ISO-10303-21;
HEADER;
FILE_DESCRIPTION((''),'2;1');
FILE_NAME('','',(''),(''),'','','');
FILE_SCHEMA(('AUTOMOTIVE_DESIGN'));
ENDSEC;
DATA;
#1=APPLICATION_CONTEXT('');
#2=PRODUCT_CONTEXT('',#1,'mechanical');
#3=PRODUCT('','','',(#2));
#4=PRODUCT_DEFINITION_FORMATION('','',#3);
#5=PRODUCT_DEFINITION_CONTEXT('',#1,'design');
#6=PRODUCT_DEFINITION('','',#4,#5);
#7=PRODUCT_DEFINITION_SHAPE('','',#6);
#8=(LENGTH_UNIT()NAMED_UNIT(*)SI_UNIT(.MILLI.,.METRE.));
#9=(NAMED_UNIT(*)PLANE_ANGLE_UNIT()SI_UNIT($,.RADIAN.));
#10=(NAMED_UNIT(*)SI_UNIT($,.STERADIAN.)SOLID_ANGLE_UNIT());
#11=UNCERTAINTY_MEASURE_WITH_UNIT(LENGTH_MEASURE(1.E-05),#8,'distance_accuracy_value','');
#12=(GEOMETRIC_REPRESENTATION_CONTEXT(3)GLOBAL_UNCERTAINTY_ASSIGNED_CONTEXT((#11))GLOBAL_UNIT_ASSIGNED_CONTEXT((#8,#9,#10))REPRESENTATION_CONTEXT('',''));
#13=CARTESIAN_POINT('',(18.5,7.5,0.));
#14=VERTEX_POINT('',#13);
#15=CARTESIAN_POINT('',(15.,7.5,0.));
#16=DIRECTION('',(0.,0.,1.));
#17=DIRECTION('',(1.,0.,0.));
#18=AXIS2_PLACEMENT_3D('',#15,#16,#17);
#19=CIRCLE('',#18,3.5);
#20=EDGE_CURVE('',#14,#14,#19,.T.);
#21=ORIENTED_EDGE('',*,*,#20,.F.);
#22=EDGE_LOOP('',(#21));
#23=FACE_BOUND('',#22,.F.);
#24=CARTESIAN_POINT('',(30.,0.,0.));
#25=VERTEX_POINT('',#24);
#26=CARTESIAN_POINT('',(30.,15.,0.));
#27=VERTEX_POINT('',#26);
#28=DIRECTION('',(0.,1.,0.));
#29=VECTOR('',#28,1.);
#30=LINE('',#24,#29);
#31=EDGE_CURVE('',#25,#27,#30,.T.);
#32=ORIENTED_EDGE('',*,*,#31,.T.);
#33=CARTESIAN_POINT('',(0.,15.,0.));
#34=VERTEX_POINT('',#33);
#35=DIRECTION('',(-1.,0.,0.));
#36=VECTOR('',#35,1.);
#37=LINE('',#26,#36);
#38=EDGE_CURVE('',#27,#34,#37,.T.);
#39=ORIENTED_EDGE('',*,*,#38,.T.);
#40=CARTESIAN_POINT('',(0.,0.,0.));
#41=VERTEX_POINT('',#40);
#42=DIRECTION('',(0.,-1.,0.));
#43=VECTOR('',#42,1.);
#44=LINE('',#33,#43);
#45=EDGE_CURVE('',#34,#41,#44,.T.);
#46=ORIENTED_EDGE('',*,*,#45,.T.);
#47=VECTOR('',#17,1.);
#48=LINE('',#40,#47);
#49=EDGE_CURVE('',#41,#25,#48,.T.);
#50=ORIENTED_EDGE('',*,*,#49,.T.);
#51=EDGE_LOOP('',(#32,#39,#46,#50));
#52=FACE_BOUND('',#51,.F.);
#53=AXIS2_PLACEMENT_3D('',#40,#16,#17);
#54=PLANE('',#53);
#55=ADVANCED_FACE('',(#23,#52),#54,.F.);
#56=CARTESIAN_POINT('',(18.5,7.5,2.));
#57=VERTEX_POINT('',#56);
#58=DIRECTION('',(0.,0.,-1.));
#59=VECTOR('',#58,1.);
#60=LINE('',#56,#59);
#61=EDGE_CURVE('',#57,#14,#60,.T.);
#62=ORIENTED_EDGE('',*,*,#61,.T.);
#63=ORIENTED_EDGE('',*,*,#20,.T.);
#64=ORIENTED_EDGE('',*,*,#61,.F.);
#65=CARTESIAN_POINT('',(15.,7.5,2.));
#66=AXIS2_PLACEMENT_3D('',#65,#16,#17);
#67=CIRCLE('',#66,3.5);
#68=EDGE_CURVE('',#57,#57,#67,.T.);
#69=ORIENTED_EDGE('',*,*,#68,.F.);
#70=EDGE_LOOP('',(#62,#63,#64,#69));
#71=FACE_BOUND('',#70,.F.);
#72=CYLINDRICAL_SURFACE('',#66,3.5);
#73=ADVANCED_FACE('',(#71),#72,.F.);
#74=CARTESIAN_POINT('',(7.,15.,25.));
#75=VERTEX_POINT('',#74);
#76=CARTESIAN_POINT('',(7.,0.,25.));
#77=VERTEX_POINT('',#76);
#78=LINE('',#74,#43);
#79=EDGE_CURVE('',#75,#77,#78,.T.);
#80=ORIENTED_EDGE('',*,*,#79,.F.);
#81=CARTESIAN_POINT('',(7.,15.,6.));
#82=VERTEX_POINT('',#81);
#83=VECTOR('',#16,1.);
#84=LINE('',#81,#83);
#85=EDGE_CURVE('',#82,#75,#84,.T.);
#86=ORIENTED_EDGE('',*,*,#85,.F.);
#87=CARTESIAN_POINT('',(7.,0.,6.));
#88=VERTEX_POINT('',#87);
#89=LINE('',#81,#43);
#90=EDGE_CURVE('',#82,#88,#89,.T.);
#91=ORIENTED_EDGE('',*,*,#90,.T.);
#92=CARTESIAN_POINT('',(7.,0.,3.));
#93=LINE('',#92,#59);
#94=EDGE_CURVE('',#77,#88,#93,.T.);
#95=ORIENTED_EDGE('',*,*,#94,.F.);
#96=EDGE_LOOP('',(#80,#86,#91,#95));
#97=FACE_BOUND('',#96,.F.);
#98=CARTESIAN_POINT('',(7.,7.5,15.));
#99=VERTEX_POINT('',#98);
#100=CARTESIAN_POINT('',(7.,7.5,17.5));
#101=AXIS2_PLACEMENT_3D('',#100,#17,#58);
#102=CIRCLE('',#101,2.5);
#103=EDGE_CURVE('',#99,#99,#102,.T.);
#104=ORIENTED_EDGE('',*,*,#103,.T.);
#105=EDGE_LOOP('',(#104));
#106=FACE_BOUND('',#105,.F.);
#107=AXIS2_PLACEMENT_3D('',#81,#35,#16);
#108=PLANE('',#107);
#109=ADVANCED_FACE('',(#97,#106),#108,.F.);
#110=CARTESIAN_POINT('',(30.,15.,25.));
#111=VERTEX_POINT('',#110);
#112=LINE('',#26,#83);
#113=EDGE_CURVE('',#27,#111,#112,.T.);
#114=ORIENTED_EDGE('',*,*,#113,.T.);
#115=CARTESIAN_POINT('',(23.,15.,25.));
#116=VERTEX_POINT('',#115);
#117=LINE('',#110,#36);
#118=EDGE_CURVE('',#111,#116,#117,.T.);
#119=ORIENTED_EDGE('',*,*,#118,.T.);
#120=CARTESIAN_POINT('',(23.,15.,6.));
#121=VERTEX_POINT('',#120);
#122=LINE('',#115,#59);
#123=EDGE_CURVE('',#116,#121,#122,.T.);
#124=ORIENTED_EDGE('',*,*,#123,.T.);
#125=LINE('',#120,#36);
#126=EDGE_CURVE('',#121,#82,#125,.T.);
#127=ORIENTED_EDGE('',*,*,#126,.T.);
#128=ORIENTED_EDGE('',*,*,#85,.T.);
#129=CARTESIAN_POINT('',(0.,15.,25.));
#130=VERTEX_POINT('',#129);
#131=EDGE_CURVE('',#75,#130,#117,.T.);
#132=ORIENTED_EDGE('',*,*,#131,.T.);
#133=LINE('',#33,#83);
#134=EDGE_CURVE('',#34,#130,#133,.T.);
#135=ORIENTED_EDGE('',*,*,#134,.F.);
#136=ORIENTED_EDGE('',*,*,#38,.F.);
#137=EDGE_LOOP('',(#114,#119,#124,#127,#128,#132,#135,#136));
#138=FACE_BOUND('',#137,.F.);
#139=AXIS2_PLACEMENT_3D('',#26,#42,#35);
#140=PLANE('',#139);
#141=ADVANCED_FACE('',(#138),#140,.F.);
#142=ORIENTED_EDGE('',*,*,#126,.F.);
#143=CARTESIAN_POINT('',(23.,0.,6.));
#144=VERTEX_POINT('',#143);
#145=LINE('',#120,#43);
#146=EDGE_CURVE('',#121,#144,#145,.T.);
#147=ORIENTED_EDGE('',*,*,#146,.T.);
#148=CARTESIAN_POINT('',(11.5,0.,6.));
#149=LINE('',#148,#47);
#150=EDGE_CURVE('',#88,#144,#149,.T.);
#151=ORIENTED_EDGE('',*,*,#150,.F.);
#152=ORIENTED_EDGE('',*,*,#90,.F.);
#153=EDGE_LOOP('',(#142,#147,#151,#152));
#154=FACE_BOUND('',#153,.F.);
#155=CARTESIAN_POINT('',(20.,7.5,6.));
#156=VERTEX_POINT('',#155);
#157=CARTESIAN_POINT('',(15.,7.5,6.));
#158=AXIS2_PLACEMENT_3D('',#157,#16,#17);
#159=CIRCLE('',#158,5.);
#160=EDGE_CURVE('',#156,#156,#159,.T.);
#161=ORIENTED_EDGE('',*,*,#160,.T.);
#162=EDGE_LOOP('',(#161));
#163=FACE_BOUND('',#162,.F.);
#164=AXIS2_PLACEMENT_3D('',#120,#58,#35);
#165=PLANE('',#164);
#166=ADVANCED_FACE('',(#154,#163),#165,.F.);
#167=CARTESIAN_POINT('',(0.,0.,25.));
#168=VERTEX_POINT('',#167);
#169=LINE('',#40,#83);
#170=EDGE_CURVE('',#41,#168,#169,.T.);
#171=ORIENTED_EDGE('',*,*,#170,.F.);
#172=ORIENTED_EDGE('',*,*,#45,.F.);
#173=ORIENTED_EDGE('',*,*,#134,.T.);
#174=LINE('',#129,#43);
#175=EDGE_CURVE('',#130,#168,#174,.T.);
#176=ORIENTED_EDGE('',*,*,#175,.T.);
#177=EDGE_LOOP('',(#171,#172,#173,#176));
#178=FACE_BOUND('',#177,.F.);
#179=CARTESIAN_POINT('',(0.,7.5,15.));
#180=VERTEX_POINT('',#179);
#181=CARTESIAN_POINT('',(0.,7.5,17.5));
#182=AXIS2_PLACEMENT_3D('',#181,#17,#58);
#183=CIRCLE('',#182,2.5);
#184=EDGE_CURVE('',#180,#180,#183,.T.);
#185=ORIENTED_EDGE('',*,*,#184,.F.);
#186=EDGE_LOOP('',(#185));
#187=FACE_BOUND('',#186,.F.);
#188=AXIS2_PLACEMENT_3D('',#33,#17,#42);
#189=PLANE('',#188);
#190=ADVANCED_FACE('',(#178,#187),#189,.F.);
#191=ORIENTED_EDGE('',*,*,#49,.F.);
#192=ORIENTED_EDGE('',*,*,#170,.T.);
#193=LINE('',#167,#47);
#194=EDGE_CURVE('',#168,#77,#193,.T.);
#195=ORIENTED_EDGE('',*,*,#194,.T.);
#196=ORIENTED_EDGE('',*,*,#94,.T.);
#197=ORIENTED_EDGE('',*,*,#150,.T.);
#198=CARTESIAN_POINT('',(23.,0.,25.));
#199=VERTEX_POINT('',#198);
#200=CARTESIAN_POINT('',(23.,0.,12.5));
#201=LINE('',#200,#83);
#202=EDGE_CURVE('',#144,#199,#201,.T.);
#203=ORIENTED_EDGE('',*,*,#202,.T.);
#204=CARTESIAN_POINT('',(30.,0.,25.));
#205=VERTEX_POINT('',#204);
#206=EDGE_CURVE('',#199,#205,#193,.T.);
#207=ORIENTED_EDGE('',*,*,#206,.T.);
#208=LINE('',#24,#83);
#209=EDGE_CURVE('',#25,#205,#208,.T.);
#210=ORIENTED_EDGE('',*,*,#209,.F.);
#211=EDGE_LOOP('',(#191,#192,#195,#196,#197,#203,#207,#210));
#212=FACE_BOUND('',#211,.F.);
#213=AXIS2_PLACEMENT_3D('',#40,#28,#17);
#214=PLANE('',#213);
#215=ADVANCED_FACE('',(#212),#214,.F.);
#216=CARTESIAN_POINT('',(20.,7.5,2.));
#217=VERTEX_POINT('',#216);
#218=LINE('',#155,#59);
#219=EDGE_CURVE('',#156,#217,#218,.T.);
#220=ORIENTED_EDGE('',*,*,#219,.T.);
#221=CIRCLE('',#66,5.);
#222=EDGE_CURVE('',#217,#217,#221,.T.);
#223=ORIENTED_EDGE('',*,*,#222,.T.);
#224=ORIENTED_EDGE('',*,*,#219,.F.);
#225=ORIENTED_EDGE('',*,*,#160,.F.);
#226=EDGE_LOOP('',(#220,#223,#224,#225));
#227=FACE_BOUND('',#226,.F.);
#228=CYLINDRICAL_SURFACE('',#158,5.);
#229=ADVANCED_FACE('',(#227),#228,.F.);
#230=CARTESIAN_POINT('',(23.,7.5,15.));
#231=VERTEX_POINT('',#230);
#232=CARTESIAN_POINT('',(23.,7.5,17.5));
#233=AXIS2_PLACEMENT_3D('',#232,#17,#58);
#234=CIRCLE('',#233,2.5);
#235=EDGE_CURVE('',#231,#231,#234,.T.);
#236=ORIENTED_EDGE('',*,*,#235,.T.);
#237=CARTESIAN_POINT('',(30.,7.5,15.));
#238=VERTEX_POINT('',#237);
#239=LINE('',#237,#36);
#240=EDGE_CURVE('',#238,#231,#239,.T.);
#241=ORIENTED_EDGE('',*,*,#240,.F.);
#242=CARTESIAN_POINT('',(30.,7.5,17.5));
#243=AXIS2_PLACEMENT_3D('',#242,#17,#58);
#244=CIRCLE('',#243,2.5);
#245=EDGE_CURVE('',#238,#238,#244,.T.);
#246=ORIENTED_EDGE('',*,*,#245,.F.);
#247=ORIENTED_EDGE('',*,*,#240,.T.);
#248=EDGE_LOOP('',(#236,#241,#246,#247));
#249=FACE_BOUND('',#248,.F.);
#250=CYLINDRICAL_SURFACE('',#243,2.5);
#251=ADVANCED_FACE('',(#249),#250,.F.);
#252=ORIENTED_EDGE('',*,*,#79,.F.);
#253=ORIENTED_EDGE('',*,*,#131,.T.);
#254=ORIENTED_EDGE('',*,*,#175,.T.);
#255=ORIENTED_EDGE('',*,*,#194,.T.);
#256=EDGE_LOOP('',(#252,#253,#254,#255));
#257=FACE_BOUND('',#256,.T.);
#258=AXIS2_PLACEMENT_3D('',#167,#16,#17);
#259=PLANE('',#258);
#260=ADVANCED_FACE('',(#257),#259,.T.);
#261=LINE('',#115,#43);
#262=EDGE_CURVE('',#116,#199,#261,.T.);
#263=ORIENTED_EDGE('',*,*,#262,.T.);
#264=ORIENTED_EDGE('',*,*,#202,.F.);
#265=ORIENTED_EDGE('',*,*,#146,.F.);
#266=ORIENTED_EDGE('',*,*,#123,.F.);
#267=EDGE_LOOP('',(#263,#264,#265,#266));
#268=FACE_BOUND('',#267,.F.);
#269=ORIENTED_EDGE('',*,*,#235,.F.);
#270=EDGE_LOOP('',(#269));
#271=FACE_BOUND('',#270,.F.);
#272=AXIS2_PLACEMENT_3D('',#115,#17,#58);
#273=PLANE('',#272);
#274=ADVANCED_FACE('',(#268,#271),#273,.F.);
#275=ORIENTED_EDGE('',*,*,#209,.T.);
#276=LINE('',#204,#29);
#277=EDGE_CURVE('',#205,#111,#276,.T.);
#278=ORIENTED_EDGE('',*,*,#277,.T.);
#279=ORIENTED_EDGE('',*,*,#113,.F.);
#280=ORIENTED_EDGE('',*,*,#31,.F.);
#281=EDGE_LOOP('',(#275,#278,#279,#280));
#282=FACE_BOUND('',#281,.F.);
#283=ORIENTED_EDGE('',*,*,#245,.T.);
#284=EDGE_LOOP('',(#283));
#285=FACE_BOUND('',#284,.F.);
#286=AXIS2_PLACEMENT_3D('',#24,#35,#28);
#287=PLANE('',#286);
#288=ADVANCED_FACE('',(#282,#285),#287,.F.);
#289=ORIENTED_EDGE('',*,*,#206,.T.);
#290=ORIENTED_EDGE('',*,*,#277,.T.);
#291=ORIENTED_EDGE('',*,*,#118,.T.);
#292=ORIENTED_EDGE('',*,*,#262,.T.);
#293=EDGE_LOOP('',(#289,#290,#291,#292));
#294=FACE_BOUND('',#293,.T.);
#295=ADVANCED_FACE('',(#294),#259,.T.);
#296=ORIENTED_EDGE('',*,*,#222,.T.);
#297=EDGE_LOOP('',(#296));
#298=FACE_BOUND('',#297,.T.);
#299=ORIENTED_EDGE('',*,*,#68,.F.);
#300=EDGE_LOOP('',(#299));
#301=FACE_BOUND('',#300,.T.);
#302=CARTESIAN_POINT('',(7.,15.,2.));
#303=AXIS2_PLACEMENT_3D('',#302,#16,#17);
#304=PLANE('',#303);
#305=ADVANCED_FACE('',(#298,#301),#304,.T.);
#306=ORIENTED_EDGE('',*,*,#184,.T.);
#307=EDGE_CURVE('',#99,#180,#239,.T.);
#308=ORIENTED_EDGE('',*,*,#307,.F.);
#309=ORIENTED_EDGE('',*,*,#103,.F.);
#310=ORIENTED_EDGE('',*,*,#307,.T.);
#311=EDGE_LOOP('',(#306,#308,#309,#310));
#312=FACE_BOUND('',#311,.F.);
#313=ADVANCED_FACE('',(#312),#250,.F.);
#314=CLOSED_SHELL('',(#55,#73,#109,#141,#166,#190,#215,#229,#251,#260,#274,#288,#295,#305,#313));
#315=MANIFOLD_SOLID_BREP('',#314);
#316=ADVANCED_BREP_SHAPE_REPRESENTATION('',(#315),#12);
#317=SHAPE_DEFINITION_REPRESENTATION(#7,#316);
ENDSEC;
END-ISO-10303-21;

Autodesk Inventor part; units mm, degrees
ref_plane "YZ Plane" through (0, 0, 0) normal (1, 0, 0) x (0, 1, 0)
ref_plane "XZ Plane" through (0, 0, 0) normal (0, 1, 0) x (-1, 0, 0)
ref_plane "XY Plane" through (0, 0, 0) normal (0, 0, 1) x (1, 0, 0)
sketch "Sketch1" plane through (0, 0, 0) normal (0, 0, 1) x (1, 0, 0)
  line L0 (0, 0) -> (30, 0)
  line L1 (30, 0) -> (30, 15)
  line L2 (30, 15) -> (0, 15)
  line L3 (0, 15) -> (0, 0)
  dimension "d0" = 30
  dimension "d1" = 15
extrude "Extrusion1" add sketch "Sketch1" along normal blind 25
sketch "Sketch2" plane through (0, 15, 0) normal (0, 1, 0) x (1, 0, 0)
  line L0 (30, 0) -> (0, 0) projected
  line L1 (0, 0) -> (0, -25) projected
  line L2 (30, -25) -> (0, -25) projected
  line L3 (30, 0) -> (30, -25) projected
  line L4 (7, -25) -> (23, -25)
  line L5 (23, -25) -> (23, -6)
  line L6 (23, -6) -> (7, -6)
  line L7 (7, -6) -> (7, -25)
  point P0 (0, 0)
  dimension "d5" = 16
  dimension "d27" = 7
  dimension "d28" = 6
extrude "Extrusion2" cut sketch "Sketch2" against normal up to next contours L2 L7 L6 L5
sketch "Sketch3" plane through (30, 0, 0) normal (1, 0, 0) x (0, 0, -1)
  circle A0 centre (-17.5, 7.5) radius 2.5
  line L0 (-25, 0) -> (-25, 15) projected
  line L1 (0, 15) -> (-25, 15) projected
  point P0 (0, 0)
  dimension "d10" = 5
  dimension "d11" = 7.5
  dimension "d12" = 7.5
extrude "Extrusion3" cut sketch "Sketch3" against normal through all
sketch "Sketch6" plane through (7, 15, 6) normal (0, 0, 1) x (1, 0, 0)
  circle A0 centre (8, -7.5) radius 5
  line L0 (0, 0) -> (16, 0) projected
  line L1 (16, 0) -> (16, -15) projected
  point P0 (-7, -15)
  dimension "d29" = 10
  dimension "d30" = 7.5
  dimension "d31" = 8
extrude "Extrusion6" cut sketch "Sketch6" against normal blind 4
sketch "Sketch7" plane through (15, 7.5, 2) normal (0, 0, 1) x (1, 0, 0)
  circle A0 centre (0, 0) radius 3.5
  point P0 (-15, -7.5)
  dimension "d34" = 7
extrude "Extrusion7" cut sketch "Sketch7" against normal up to next
properties part number "Arm_Pulley_Connector"
